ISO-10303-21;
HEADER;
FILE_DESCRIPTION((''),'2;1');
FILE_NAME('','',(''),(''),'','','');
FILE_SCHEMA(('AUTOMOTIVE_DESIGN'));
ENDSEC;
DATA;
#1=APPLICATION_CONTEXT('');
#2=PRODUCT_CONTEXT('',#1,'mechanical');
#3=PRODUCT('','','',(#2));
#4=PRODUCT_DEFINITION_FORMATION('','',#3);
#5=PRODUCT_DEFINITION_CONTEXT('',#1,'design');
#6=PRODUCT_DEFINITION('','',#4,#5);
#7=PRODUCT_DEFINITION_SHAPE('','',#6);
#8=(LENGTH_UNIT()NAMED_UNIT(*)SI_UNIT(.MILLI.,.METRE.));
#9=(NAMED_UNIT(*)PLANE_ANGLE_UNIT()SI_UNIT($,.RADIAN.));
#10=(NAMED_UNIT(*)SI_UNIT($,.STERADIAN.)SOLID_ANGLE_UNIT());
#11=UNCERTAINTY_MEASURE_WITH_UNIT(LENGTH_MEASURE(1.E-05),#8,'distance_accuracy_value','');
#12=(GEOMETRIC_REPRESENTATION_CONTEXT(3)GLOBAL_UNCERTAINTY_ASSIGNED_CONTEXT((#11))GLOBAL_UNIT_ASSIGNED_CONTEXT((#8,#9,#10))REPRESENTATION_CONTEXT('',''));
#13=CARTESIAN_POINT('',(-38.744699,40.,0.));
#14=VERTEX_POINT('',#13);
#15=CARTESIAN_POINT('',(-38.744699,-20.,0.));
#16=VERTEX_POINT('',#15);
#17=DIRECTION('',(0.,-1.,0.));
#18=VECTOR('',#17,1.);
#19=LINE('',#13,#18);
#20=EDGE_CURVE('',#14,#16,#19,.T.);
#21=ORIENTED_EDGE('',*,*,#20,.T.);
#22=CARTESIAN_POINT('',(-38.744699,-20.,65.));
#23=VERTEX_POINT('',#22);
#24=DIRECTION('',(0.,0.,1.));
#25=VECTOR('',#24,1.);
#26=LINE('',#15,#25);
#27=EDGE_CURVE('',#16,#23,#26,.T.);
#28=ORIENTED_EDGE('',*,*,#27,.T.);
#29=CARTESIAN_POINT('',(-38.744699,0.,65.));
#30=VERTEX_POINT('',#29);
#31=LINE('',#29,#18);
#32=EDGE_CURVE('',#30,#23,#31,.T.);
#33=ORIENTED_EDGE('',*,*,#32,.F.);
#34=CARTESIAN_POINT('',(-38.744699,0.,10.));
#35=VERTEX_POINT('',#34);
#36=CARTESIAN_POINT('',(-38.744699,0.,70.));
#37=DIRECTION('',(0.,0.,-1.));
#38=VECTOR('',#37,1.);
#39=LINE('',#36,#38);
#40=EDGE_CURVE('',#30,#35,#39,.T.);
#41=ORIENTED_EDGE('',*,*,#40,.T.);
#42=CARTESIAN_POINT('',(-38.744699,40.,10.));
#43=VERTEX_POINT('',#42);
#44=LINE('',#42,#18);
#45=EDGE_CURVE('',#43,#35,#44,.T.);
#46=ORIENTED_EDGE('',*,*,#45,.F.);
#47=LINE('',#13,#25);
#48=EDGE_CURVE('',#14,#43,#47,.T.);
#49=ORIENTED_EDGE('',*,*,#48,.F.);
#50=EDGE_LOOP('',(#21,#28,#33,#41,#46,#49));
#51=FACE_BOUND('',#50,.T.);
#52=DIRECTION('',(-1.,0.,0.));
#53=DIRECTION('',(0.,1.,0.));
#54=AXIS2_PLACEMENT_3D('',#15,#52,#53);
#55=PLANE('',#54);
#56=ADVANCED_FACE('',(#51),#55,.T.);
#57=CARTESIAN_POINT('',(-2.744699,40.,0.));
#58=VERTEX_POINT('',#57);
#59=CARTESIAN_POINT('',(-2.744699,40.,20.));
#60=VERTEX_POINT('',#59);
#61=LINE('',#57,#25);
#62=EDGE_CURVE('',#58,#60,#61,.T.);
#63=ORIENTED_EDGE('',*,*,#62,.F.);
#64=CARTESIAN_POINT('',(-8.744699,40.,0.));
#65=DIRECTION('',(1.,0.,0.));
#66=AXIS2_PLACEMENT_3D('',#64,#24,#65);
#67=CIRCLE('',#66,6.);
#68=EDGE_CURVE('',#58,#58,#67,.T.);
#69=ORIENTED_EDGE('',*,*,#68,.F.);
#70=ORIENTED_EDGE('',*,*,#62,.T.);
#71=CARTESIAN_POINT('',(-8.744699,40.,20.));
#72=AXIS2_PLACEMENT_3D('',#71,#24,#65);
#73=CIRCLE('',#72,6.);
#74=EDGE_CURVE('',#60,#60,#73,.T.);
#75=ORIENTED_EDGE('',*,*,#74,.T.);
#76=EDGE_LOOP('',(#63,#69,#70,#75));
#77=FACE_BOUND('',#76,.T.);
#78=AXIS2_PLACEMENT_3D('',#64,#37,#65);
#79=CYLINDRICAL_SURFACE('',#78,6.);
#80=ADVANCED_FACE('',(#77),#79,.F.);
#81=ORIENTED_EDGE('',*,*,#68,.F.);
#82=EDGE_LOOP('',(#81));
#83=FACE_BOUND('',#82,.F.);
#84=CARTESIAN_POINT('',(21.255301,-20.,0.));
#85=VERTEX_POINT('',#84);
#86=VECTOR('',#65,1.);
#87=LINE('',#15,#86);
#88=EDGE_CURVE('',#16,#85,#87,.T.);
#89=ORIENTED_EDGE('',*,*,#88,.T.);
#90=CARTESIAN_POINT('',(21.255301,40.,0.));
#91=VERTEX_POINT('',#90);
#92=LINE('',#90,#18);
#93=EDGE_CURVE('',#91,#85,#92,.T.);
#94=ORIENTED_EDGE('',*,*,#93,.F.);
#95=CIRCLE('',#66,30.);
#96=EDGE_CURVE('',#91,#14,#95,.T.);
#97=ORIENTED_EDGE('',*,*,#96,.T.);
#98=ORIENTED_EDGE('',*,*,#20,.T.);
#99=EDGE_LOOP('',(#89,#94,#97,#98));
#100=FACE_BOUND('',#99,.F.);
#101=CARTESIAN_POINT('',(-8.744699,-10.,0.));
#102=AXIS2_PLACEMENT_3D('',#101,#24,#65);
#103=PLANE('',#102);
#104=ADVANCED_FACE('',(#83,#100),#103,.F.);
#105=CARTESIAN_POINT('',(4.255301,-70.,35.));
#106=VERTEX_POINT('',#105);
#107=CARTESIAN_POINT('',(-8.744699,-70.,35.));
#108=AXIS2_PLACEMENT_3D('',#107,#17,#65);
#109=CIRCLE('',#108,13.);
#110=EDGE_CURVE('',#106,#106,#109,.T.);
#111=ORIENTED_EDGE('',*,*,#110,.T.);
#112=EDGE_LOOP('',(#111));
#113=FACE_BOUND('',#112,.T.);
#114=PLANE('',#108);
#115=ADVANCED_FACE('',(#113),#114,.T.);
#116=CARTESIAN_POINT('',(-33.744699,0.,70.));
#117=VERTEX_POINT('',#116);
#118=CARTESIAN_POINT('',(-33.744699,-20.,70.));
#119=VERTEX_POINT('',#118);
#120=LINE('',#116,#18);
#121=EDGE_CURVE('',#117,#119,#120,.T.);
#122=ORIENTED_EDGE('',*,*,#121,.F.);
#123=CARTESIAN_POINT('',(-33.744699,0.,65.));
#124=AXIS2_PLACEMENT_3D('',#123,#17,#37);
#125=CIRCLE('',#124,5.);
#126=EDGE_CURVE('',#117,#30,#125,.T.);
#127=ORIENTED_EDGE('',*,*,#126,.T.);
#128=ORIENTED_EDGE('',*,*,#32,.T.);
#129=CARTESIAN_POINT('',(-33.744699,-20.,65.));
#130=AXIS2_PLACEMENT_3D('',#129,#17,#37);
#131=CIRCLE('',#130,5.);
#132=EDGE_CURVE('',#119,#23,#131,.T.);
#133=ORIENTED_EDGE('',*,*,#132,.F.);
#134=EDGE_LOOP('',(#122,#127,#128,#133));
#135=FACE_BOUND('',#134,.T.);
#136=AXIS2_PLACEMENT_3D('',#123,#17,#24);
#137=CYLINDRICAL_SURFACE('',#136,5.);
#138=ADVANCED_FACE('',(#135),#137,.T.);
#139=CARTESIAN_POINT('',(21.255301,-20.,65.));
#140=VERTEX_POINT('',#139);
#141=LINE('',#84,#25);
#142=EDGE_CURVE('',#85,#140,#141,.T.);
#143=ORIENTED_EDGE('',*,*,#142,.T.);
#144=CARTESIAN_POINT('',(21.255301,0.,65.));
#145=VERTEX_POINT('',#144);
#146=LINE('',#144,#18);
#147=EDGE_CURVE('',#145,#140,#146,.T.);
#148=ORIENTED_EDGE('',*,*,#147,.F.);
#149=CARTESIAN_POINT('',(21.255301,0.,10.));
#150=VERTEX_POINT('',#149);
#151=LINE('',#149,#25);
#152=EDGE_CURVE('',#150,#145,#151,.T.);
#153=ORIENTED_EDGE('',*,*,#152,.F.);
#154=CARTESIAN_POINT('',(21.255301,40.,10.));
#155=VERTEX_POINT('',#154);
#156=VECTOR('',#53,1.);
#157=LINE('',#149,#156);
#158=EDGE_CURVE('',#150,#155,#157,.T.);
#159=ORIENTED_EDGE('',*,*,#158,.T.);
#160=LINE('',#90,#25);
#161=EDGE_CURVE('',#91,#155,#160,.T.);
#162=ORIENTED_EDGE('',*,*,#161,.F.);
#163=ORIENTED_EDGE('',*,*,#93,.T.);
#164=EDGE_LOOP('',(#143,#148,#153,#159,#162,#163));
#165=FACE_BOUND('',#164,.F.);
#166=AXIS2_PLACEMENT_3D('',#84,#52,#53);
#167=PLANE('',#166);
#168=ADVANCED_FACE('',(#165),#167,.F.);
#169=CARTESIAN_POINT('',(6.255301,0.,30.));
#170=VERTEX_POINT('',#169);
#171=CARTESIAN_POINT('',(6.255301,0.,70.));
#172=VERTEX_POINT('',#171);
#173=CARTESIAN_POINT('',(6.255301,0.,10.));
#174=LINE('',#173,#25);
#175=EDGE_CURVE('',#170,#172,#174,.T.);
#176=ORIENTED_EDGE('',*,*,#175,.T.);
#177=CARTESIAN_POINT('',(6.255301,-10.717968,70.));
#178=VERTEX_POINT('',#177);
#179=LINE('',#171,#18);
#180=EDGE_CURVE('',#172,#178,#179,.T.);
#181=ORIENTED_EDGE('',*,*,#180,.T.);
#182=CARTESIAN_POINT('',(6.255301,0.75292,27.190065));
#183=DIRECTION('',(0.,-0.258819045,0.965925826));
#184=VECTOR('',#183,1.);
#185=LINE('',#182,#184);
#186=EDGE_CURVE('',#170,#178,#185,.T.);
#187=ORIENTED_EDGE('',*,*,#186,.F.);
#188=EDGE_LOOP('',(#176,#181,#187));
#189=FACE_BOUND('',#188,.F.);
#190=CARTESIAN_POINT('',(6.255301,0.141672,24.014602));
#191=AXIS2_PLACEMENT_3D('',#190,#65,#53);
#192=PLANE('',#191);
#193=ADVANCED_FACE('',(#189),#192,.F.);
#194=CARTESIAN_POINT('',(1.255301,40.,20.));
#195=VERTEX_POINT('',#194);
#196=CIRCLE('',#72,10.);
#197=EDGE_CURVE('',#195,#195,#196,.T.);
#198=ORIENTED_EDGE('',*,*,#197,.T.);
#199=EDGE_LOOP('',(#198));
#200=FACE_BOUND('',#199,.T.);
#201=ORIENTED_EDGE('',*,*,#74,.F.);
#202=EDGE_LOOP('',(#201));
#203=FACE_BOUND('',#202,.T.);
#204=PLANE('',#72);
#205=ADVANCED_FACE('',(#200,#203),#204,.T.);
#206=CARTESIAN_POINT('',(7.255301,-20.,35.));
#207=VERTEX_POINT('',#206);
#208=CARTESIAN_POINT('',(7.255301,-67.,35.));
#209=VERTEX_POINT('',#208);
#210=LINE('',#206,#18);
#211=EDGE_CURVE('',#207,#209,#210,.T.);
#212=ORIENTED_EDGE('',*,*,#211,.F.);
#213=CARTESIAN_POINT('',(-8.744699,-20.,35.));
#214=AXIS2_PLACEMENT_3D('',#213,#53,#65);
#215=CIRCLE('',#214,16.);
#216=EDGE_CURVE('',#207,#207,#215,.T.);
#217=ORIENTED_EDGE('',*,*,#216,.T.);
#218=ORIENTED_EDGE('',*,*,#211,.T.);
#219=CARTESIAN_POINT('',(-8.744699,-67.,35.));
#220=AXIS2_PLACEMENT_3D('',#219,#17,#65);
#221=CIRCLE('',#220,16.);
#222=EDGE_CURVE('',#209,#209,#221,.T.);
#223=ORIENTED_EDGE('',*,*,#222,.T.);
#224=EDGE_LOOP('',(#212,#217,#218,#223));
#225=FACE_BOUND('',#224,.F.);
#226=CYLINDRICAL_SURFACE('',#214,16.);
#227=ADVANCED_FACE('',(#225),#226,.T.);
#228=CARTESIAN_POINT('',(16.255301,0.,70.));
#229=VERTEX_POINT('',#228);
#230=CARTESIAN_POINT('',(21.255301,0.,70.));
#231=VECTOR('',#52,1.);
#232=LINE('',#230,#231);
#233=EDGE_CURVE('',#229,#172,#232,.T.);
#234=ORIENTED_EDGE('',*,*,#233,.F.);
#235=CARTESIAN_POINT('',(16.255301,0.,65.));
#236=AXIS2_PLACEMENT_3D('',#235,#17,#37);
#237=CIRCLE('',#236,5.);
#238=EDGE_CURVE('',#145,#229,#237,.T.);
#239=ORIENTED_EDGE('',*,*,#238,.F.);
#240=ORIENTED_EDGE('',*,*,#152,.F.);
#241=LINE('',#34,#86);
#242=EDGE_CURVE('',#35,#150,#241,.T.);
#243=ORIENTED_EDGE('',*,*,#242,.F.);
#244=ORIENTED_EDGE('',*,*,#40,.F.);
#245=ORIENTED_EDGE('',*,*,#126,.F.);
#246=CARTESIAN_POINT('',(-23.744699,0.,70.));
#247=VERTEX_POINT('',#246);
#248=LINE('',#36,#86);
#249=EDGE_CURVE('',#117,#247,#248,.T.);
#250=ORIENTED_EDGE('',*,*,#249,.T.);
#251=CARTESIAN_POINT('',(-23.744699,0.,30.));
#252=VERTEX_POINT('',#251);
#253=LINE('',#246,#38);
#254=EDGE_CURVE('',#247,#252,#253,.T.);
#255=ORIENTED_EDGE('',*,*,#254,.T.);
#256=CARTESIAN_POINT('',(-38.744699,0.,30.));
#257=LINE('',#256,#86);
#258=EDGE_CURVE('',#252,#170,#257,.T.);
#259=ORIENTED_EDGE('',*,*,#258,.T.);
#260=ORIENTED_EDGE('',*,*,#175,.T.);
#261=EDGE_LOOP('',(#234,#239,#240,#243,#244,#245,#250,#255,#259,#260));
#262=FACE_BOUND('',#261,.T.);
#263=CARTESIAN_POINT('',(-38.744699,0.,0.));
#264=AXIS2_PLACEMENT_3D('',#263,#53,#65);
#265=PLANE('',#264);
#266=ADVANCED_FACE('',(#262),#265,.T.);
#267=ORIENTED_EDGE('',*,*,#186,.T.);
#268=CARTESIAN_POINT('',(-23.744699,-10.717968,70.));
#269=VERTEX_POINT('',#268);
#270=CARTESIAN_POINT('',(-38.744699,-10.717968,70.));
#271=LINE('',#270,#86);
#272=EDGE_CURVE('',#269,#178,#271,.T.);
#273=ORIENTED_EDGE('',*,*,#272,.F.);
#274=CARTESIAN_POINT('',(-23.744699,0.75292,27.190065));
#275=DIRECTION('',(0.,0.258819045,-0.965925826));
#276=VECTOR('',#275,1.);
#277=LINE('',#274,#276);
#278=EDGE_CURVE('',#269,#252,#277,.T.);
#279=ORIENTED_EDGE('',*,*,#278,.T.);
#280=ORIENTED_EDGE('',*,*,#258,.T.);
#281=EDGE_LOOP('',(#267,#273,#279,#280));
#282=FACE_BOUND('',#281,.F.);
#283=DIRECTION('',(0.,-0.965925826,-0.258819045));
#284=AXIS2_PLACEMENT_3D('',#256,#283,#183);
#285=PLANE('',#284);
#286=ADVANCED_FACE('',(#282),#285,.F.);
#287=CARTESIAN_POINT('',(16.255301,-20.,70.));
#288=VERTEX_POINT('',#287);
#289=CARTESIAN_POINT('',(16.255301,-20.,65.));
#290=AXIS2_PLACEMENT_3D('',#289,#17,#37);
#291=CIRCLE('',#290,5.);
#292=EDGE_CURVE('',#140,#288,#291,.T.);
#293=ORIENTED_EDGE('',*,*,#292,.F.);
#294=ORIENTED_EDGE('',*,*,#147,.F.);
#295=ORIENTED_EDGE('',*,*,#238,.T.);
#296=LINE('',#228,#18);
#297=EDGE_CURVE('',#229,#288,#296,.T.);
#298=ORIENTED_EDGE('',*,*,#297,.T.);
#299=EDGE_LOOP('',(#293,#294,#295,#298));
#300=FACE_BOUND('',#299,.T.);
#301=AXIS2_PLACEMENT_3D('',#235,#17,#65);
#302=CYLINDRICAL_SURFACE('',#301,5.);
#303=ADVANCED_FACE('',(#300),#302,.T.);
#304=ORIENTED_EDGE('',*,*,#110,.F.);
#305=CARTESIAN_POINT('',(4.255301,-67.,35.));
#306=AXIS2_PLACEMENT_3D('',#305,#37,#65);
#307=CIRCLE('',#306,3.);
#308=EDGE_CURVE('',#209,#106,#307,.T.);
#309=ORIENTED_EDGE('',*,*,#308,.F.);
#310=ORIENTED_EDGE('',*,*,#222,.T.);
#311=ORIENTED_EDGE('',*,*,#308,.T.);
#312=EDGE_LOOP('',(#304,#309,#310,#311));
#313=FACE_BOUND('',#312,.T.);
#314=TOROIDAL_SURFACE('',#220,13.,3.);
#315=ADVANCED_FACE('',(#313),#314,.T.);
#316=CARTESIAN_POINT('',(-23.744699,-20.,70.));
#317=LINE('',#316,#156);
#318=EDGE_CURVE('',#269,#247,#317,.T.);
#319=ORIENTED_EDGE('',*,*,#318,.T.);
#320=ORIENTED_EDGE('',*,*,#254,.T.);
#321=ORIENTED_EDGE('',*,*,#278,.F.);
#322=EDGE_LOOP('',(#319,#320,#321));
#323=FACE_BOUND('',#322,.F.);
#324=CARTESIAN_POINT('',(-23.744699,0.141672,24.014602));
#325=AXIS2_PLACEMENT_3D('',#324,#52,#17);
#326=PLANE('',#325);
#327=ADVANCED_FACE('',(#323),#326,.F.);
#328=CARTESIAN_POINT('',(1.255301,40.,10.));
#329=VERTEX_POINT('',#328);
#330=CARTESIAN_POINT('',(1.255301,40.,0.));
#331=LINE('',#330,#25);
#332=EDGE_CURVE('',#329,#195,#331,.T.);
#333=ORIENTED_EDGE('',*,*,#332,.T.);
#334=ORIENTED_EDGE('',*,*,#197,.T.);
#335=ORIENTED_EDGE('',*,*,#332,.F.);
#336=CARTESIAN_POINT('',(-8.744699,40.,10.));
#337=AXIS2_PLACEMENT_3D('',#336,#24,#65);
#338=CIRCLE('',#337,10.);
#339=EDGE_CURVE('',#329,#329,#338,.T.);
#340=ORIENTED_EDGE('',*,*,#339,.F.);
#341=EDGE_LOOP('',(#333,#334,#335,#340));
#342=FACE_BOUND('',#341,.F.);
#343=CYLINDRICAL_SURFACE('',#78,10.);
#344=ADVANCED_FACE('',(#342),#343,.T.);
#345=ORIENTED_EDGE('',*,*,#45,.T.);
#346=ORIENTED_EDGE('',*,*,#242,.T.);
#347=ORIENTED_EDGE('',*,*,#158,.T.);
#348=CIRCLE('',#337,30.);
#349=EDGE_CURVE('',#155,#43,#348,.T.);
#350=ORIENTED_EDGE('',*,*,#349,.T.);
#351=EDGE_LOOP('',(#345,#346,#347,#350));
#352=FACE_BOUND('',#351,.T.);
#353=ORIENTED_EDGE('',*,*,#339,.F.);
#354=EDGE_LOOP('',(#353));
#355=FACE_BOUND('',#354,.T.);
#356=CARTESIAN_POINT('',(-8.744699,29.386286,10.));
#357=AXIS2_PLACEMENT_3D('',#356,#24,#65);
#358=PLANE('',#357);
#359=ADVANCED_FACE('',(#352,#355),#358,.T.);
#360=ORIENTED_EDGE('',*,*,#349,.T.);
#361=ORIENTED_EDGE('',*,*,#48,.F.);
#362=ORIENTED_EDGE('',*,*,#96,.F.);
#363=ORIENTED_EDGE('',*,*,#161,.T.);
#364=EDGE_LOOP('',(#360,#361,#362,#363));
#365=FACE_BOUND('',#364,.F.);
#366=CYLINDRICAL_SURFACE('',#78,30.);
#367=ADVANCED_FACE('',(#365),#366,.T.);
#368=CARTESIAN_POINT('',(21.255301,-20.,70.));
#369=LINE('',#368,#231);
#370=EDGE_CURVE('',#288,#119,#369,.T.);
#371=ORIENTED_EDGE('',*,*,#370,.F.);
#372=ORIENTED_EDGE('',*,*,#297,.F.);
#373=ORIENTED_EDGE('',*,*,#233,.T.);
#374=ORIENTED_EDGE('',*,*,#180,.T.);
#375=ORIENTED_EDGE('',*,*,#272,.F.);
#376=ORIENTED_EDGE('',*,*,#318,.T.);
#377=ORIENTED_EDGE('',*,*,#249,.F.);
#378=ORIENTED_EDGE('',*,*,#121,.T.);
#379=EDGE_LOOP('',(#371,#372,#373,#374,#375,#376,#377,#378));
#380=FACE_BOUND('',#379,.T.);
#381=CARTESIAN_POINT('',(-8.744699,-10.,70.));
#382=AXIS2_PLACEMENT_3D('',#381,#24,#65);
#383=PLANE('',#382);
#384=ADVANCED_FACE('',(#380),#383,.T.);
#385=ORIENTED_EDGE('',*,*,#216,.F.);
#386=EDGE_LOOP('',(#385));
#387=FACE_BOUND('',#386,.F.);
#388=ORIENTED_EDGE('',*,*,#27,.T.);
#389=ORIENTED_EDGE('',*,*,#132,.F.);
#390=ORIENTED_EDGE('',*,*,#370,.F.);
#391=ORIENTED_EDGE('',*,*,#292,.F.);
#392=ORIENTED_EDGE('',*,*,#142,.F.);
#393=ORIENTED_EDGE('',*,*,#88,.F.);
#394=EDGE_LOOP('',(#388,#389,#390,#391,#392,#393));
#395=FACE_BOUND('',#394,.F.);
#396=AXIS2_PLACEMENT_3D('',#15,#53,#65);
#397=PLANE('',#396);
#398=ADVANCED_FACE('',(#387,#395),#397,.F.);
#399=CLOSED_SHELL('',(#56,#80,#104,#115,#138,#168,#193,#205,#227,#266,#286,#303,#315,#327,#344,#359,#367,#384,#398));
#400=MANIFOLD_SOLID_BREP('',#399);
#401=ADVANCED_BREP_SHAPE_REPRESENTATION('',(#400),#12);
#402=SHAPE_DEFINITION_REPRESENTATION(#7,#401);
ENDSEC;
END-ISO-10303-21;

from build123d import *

# Parameters (mm, degrees)
F0_R      = 10
F1_DEPTH  = 10
F0_R_2    = 6
F2_DEPTH  = 20
F0_W      = 60
F0_H      = 20
F3_DEPTH  = 70
F4_R      = 16
F5_DEPTH  = 50
F6_R      = 3
F9_DEPTH  = 65.4
F10_DEPTH = 15
F11_DEPTH = 15
F12_R     = 5
F13_R     = 5


with BuildPart() as f1:
    # F0 (on Top) → F1 (new body)
    with BuildSketch(Plane.XY):
        with BuildLine():
            Line((-38.7446990098, 40), (-38.7446990098, 0))
            Line((-38.7446990098, 0), (21.2553009902, 0))
            Line((21.2553009902, 0), (21.2553009902, 40))
            ThreePointArc((21.2553009902, 40), (12.4685044258, 61.2132034356), (-8.7446990098, 70))
            ThreePointArc((-8.7446990098, 70), (-29.9579024454, 61.2132034356), (-38.7446990098, 40))
        make_face()
        with Locations((-8.7446990098, 40)):
            Circle(F0_R, mode=Mode.SUBTRACT)
    extrude(amount=F1_DEPTH)

    # F0 (on Top) → F2 (join)
    with BuildSketch(Plane.XY):
        with Locations((-8.7446990098, 40)):
            Circle(F0_R)
        with Locations((-8.7446990098, 40)):
            Circle(F0_R_2, mode=Mode.SUBTRACT)
    extrude(amount=F2_DEPTH)

    # F0 (on Top) → F3 (join)
    with BuildSketch(Plane.XY):
        with Locations((-8.7446990098, -10)):
            Rectangle(F0_W, F0_H)
    extrude(amount=F3_DEPTH)

    # F4 (on face) → F5 (join)
    with BuildSketch(Plane.XZ.offset(20)):
        with Locations((-8.7446990098, 35)):
            Circle(F4_R)
    extrude(amount=F5_DEPTH)

    # F6
    f6_edges = [f1.edges().sort_by_distance(p)[0] for p in [
        (-24.744699, -70, 35),
    ]]
    fillet(f6_edges, radius=F6_R)

    # F8 (on face) → F9 (cut)
    with BuildSketch(Plane(origin=(-38.7446990098, 0, 0), x_dir=(0, -1, 0), z_dir=(-1, 0, 0))):
        Polygon((10.7179676972, 70), (0, 70), (0, 30), align=None)
    extrude(amount=-F9_DEPTH, mode=Mode.SUBTRACT)

    # F8 (on face) → F10 (join)
    with BuildSketch(Plane(origin=(-38.7446990098, 0, 0), x_dir=(0, -1, 0), z_dir=(-1, 0, 0))):
        Polygon((10.7179676972, 70), (0, 30), (0, 10), (-40, 10), (-40, 0), (20, 0), (20, 70), align=None)
        Polygon((10.7179676972, 70), (0, 70), (0, 30), align=None)
    extrude(amount=-F10_DEPTH)

    # F7 (on face) → F11 (join)
    with BuildSketch(Plane.YZ.offset(21.2553009902)):
        Polygon((0, 10), (0, 30), (-10.7179676972, 70), (-20, 70), (-20, 0), (40, 0), (40, 10), align=None)
        Polygon((0, 30), (0, 70), (-10.7179676972, 70), align=None)
    extrude(amount=-F11_DEPTH)

    # F12
    f12_edges = [f1.edges().sort_by_distance(p)[0] for p in [
        (21.255301, -10, 70),
    ]]
    fillet(f12_edges, radius=F12_R)

    # F13
    f13_edges = [f1.edges().sort_by_distance(p)[0] for p in [
        (-38.744699, -10, 70),
    ]]
    fillet(f13_edges, radius=F13_R)


solid = f1.part
